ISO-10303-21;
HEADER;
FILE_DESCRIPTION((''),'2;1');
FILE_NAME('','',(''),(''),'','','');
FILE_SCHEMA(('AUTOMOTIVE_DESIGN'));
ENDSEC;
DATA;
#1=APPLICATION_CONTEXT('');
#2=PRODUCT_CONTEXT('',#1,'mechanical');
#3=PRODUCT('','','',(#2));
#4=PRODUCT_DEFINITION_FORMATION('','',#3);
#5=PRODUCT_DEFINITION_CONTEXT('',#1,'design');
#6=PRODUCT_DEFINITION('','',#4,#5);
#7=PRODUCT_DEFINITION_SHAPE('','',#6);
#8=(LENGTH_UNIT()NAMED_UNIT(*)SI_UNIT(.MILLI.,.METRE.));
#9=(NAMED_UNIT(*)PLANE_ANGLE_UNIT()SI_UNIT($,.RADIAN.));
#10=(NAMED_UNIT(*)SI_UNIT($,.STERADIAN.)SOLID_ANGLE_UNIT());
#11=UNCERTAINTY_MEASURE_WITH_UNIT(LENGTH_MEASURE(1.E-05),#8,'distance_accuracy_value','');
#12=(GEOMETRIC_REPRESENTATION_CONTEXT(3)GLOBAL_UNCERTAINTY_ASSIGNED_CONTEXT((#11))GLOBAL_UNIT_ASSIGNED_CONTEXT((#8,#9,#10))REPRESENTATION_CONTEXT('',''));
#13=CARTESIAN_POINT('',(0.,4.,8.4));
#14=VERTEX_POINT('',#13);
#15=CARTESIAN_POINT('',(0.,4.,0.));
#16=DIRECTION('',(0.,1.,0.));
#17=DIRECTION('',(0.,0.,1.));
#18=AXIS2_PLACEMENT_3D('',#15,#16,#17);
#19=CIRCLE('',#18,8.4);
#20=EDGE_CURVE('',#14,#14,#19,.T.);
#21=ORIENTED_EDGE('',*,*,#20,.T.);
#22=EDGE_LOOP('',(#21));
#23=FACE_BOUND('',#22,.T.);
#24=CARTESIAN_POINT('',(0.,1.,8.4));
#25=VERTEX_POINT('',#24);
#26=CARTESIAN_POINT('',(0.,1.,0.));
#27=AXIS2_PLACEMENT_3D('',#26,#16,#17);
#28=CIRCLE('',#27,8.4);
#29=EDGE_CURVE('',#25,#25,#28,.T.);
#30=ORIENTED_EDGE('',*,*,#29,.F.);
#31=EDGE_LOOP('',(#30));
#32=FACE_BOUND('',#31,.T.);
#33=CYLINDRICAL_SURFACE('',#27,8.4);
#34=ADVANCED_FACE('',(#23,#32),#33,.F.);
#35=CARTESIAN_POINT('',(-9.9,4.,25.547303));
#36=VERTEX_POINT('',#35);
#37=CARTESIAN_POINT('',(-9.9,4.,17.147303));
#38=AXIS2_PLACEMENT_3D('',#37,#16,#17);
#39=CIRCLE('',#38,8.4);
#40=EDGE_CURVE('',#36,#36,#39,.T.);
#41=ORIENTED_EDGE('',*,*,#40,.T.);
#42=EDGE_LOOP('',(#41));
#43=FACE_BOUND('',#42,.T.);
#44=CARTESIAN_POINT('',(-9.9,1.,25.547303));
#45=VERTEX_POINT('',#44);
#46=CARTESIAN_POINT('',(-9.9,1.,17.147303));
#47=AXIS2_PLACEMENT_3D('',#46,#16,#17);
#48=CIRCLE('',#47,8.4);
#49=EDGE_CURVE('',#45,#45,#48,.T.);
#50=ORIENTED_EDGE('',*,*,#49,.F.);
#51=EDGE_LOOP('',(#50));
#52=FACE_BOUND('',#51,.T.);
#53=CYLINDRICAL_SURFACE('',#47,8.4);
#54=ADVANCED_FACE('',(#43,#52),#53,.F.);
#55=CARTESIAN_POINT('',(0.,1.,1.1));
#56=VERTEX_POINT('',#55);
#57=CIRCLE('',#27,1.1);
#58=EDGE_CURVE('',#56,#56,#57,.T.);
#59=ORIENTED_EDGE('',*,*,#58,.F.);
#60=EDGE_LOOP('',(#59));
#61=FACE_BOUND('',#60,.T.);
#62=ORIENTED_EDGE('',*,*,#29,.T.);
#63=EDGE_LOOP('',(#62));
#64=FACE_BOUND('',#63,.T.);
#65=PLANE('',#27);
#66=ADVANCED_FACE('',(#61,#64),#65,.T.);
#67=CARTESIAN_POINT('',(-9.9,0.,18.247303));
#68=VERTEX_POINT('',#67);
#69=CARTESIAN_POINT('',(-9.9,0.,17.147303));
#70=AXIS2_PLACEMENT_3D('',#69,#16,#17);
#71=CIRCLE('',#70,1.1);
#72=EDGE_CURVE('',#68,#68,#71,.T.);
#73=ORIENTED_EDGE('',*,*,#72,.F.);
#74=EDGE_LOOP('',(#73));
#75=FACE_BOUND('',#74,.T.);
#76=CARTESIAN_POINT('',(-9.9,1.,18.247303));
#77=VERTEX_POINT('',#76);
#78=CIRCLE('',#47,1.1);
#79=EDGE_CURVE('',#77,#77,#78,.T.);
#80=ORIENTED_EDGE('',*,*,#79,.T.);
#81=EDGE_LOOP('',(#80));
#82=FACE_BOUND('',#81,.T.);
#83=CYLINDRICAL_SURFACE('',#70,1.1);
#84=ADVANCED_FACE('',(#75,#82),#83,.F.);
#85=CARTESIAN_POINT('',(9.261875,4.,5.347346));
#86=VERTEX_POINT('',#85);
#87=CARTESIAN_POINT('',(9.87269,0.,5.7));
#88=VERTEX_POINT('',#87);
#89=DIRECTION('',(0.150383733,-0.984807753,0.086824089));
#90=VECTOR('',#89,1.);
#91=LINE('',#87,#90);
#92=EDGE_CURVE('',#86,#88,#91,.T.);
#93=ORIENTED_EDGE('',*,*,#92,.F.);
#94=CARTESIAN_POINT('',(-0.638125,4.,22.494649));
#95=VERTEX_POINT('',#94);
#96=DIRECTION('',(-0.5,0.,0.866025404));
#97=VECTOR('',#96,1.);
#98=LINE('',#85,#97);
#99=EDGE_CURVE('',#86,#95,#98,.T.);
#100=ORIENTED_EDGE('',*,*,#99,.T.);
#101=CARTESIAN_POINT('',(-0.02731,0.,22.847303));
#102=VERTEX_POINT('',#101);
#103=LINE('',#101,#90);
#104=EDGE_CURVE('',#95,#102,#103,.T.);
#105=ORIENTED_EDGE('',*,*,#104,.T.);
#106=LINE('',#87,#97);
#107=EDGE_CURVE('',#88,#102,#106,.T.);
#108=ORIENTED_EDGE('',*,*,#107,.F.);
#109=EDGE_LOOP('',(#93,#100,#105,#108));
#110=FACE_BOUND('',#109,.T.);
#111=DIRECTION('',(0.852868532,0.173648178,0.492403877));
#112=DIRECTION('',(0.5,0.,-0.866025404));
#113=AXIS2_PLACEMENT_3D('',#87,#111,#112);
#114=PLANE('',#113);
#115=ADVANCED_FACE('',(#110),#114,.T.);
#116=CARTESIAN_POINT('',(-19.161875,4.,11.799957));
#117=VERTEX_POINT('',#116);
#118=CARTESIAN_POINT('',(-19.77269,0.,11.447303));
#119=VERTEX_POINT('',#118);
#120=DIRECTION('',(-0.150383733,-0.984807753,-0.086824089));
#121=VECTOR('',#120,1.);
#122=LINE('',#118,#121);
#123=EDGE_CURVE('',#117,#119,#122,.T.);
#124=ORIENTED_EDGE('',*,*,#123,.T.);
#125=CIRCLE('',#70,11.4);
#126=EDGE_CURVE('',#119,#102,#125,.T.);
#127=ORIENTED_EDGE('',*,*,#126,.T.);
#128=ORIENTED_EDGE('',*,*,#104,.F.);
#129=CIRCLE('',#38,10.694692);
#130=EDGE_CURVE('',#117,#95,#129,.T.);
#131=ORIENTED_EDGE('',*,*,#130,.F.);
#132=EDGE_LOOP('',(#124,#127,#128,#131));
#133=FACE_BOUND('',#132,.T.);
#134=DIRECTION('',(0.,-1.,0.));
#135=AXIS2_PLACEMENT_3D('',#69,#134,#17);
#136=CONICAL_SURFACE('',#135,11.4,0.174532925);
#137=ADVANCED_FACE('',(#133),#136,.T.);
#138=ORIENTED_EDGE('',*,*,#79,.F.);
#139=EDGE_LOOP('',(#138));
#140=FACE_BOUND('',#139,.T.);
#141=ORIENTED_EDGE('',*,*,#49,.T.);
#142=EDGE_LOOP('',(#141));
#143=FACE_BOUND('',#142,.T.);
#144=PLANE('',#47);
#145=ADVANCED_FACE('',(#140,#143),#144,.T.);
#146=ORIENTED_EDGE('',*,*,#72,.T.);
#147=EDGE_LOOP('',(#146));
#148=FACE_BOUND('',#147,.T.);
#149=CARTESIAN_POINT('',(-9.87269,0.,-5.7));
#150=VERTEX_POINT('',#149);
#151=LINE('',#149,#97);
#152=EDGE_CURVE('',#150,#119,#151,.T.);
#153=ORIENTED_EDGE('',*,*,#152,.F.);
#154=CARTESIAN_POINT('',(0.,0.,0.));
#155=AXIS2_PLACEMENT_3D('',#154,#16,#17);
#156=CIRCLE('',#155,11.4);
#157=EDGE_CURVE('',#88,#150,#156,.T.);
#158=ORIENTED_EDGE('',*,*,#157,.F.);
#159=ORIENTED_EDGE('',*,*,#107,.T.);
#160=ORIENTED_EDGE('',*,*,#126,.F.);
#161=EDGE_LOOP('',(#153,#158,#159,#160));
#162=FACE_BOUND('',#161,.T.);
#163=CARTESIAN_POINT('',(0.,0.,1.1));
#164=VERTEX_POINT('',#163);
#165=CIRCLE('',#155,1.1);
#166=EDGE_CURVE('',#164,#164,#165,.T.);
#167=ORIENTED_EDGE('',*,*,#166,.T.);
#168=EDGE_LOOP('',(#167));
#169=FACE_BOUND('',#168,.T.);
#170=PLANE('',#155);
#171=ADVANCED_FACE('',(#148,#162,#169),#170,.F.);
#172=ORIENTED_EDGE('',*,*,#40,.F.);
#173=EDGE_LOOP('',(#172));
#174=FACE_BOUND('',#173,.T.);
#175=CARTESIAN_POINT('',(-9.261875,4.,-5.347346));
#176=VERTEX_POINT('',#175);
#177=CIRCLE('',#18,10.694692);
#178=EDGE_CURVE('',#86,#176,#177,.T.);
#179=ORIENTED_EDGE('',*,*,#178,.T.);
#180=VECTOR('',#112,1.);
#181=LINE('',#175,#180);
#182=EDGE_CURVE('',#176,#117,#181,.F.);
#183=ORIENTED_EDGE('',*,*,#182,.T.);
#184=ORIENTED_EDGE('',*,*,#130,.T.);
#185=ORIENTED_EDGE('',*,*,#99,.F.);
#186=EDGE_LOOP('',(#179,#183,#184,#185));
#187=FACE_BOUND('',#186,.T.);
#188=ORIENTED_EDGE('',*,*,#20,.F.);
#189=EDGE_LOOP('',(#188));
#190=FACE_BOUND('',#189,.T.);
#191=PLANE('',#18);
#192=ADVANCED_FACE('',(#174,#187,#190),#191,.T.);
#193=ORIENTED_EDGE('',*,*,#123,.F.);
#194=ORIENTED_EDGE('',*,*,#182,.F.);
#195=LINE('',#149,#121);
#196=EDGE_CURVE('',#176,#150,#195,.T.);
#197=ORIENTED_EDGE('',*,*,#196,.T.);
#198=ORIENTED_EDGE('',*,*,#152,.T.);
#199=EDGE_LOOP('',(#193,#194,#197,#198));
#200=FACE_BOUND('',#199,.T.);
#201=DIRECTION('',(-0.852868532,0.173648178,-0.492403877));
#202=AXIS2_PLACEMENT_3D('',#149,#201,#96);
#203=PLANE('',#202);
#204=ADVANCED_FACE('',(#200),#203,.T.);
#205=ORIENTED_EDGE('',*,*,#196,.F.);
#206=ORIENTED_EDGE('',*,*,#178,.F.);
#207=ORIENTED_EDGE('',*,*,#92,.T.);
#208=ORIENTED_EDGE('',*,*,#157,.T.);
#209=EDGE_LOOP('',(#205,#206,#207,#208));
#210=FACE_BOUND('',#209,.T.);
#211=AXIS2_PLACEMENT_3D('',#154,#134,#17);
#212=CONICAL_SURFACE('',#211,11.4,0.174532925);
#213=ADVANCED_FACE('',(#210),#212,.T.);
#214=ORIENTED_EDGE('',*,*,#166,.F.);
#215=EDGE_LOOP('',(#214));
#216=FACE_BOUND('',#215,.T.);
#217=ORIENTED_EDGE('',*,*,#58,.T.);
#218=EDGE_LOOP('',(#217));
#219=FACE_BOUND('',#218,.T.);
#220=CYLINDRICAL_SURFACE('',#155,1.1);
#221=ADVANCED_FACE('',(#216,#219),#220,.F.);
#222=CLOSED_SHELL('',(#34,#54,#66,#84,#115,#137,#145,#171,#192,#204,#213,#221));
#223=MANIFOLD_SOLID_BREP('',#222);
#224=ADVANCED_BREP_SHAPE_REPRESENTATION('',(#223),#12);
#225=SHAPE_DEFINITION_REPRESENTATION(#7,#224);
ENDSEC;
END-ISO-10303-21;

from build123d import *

# Parameters (mm, degrees)
BOSS_EXTRUDE1_DEPTH = 4
BOSS_EXTRUDE1_TAPER = 10
CUT_EXTRUDE1_START  = 4
SKETCH1_3_R         = 1.1
CUT_EXTRUDE1_DEPTH  = 4
CUT_EXTRUDE2_START  = 4
SKETCH1_4_R         = 8.4
CUT_EXTRUDE2_DEPTH  = 3


with BuildPart() as part:
    # Sketch1 → Boss-Extrude1 (new body)
    with BuildSketch(Plane(origin=(0, 0, 0), x_dir=(1, 0, 0), z_dir=(0, 1, 0))):
        with BuildLine():
            ThreePointArc((-19.772689603, -11.447302995), (-15.6, -27.019992598), (-0.027310397, -22.847302995))
            Line((-0.027310397, -22.847302995), (9.872689603, -5.7))
            ThreePointArc((9.872689603, -5.7), (5.7, 9.872689603), (-9.872689603, 5.7))
            Line((-9.872689603, 5.7), (-19.772689603, -11.447302995))
        make_face()
    extrude(amount=BOSS_EXTRUDE1_DEPTH, taper=BOSS_EXTRUDE1_TAPER)

    # Sketch1<3> → Cut-Extrude1 (cut)
    with BuildSketch(Plane(origin=(0, 0, 0), x_dir=(1, 0, 0), z_dir=(0, 1, 0)).offset(CUT_EXTRUDE1_START)):
        with Locations(Location((-9.9, -17.147302995, 0), (0, 0, 270))):
            Circle(SKETCH1_3_R)
        with Locations(Location((0, 0, 0), (0, 0, 270))):
            Circle(SKETCH1_3_R)
    extrude(amount=-CUT_EXTRUDE1_DEPTH, mode=Mode.SUBTRACT)

    # Sketch1<4> → Cut-Extrude2 (cut)
    with BuildSketch(Plane(origin=(0, 0, 0), x_dir=(1, 0, 0), z_dir=(0, 1, 0)).offset(CUT_EXTRUDE2_START)):
        with Locations(Location((0, 0, 0), (0, 0, 270))):
            Circle(SKETCH1_4_R)
        with Locations(Location((-9.9, -17.147302995, 0), (0, 0, 270))):
            Circle(SKETCH1_4_R)
    extrude(amount=-CUT_EXTRUDE2_DEPTH, mode=Mode.SUBTRACT)


solid = part.part
